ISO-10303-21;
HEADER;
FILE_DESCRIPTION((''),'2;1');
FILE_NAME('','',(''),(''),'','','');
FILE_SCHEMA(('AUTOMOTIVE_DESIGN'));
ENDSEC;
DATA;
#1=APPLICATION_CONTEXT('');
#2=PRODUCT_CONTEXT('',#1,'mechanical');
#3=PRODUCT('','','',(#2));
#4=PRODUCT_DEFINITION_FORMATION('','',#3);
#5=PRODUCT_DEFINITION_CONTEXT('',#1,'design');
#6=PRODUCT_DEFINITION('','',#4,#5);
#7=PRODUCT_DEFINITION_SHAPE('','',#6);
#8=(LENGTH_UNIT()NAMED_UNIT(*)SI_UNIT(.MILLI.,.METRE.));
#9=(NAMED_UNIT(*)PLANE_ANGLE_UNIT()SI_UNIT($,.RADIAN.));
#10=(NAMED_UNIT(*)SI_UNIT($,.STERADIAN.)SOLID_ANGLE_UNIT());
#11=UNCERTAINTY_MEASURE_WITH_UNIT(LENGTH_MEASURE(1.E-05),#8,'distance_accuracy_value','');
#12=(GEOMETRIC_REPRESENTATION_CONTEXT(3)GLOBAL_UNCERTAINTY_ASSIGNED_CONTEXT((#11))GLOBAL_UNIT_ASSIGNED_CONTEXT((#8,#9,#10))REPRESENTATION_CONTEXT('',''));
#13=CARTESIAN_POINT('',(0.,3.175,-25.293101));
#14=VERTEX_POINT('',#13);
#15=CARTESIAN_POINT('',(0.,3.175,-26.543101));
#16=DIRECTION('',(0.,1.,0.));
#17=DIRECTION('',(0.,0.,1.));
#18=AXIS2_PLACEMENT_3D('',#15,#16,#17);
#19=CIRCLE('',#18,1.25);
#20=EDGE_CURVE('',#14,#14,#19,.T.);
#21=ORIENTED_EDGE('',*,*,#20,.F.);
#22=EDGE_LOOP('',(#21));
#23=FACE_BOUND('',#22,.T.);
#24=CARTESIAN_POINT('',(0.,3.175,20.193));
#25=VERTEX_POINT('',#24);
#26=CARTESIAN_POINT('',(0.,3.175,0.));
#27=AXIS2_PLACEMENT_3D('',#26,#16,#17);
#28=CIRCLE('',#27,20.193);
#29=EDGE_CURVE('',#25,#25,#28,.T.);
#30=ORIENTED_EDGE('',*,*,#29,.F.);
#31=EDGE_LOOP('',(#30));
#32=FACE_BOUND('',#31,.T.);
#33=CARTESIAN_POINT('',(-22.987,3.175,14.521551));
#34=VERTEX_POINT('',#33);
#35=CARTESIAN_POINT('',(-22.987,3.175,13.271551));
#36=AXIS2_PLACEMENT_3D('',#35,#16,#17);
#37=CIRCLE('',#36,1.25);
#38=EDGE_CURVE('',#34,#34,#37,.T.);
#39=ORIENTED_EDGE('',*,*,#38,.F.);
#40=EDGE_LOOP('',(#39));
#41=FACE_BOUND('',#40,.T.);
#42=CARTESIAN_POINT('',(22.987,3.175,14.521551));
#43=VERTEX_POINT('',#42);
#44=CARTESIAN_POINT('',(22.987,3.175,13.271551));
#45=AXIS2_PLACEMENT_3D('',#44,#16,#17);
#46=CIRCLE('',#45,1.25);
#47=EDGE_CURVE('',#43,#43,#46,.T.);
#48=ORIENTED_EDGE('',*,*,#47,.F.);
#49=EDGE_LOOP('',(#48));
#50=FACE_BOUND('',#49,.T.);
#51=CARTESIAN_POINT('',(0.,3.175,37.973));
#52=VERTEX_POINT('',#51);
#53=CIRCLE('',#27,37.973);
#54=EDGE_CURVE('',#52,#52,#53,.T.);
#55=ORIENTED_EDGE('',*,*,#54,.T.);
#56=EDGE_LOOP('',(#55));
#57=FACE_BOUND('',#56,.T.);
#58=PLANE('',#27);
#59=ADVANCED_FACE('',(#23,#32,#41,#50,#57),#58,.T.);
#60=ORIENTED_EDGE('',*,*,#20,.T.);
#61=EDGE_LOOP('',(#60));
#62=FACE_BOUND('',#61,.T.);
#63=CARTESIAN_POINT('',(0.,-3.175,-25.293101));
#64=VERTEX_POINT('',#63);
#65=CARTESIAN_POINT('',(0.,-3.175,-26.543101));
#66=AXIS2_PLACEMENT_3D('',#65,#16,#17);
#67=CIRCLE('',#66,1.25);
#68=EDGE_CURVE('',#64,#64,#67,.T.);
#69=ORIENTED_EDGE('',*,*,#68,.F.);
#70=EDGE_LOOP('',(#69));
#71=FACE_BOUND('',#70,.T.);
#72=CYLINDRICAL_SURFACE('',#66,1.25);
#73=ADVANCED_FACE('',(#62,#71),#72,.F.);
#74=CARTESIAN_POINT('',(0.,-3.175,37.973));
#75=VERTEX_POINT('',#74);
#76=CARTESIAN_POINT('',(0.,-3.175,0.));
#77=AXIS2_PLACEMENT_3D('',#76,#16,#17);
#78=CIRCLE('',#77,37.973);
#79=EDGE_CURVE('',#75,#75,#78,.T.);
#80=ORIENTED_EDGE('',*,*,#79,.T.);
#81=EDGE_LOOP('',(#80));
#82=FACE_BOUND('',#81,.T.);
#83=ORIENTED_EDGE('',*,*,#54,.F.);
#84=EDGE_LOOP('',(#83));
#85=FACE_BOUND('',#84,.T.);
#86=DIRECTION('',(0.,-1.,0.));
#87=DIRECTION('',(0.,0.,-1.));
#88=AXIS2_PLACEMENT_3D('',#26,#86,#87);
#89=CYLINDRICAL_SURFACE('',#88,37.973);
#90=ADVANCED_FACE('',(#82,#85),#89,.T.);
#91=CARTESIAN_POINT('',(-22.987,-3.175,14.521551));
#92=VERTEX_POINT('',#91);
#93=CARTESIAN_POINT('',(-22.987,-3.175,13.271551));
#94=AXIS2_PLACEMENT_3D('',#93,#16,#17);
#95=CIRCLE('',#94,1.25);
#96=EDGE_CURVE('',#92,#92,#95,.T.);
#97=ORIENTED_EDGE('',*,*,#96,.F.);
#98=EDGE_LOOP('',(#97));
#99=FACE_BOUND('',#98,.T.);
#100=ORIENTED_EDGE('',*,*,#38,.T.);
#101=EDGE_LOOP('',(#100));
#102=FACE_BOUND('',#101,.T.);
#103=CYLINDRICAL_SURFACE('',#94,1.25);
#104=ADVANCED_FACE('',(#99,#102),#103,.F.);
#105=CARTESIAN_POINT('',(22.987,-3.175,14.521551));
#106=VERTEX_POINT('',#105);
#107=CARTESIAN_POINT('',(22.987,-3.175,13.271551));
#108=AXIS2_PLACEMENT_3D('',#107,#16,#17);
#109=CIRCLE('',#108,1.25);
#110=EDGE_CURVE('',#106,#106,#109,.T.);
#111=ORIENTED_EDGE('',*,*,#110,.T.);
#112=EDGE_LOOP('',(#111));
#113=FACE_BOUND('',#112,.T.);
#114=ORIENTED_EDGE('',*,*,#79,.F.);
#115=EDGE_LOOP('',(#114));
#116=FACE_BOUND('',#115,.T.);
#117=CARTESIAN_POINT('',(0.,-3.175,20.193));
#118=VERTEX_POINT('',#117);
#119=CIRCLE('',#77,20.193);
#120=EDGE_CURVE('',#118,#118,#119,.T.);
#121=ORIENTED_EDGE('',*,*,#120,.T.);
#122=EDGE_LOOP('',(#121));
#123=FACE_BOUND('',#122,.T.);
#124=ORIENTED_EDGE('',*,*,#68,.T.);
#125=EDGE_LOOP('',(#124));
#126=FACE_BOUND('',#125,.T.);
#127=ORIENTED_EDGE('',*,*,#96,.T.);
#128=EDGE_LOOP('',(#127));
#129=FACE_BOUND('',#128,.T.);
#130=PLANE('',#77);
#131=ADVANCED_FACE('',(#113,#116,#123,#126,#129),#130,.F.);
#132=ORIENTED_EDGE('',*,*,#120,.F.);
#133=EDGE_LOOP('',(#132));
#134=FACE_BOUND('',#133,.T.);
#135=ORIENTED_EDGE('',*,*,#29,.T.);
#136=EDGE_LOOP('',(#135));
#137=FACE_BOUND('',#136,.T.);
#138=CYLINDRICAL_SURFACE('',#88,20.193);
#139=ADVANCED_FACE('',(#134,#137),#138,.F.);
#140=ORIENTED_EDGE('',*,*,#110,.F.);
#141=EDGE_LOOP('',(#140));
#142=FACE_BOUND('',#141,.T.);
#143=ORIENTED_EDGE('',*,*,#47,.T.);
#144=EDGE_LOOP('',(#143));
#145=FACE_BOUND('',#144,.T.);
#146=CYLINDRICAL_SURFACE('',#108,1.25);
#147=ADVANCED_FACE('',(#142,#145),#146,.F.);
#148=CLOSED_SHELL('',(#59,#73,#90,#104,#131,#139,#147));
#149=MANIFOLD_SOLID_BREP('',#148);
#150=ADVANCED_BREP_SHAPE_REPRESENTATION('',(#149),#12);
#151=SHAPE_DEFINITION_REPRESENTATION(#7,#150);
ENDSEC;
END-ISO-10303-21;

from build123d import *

# Parameters (mm, degrees)
SKETCH2_R           = 37.973
SKETCH2_R_2         = 20.193
BOSS_EXTRUDE1_DEPTH = 3.175
SKETCH4_R           = 1.25
CUT_EXTRUDE1_DEPTH  = 55.07605716


with BuildPart() as part:
    # Sketch2 → Boss-Extrude1 (new, symmetric)
    with BuildSketch(Plane(origin=(0, 0, 0), x_dir=(1, 0, 0), z_dir=(0, 1, 0))):
        with Locations(Location((0, 0, 0), (0, 0, 270))):
            Circle(SKETCH2_R)
        with Locations(Location((0, 0, 0), (0, 0, 270))):
            Circle(SKETCH2_R_2, mode=Mode.SUBTRACT)
    extrude(amount=BOSS_EXTRUDE1_DEPTH, both=True)

    # Sketch4 → Cut-Extrude1 (cut, through all)
    with BuildSketch(Plane(origin=(0, 3.175, 0), x_dir=(1, 0, 0), z_dir=(0, 1, 0))):
        with Locations(Location((-22.987, -13.271550638, 0), (0, 0, 270))):
            Circle(SKETCH4_R)
        with Locations(Location((0, 26.543101276, 0), (0, 0, 270))):
            Circle(SKETCH4_R)
        with Locations(Location((22.987, -13.271550638, 0), (0, 0, 270))):
            Circle(SKETCH4_R)
    extrude(amount=-CUT_EXTRUDE1_DEPTH, mode=Mode.SUBTRACT)


solid = part.part
